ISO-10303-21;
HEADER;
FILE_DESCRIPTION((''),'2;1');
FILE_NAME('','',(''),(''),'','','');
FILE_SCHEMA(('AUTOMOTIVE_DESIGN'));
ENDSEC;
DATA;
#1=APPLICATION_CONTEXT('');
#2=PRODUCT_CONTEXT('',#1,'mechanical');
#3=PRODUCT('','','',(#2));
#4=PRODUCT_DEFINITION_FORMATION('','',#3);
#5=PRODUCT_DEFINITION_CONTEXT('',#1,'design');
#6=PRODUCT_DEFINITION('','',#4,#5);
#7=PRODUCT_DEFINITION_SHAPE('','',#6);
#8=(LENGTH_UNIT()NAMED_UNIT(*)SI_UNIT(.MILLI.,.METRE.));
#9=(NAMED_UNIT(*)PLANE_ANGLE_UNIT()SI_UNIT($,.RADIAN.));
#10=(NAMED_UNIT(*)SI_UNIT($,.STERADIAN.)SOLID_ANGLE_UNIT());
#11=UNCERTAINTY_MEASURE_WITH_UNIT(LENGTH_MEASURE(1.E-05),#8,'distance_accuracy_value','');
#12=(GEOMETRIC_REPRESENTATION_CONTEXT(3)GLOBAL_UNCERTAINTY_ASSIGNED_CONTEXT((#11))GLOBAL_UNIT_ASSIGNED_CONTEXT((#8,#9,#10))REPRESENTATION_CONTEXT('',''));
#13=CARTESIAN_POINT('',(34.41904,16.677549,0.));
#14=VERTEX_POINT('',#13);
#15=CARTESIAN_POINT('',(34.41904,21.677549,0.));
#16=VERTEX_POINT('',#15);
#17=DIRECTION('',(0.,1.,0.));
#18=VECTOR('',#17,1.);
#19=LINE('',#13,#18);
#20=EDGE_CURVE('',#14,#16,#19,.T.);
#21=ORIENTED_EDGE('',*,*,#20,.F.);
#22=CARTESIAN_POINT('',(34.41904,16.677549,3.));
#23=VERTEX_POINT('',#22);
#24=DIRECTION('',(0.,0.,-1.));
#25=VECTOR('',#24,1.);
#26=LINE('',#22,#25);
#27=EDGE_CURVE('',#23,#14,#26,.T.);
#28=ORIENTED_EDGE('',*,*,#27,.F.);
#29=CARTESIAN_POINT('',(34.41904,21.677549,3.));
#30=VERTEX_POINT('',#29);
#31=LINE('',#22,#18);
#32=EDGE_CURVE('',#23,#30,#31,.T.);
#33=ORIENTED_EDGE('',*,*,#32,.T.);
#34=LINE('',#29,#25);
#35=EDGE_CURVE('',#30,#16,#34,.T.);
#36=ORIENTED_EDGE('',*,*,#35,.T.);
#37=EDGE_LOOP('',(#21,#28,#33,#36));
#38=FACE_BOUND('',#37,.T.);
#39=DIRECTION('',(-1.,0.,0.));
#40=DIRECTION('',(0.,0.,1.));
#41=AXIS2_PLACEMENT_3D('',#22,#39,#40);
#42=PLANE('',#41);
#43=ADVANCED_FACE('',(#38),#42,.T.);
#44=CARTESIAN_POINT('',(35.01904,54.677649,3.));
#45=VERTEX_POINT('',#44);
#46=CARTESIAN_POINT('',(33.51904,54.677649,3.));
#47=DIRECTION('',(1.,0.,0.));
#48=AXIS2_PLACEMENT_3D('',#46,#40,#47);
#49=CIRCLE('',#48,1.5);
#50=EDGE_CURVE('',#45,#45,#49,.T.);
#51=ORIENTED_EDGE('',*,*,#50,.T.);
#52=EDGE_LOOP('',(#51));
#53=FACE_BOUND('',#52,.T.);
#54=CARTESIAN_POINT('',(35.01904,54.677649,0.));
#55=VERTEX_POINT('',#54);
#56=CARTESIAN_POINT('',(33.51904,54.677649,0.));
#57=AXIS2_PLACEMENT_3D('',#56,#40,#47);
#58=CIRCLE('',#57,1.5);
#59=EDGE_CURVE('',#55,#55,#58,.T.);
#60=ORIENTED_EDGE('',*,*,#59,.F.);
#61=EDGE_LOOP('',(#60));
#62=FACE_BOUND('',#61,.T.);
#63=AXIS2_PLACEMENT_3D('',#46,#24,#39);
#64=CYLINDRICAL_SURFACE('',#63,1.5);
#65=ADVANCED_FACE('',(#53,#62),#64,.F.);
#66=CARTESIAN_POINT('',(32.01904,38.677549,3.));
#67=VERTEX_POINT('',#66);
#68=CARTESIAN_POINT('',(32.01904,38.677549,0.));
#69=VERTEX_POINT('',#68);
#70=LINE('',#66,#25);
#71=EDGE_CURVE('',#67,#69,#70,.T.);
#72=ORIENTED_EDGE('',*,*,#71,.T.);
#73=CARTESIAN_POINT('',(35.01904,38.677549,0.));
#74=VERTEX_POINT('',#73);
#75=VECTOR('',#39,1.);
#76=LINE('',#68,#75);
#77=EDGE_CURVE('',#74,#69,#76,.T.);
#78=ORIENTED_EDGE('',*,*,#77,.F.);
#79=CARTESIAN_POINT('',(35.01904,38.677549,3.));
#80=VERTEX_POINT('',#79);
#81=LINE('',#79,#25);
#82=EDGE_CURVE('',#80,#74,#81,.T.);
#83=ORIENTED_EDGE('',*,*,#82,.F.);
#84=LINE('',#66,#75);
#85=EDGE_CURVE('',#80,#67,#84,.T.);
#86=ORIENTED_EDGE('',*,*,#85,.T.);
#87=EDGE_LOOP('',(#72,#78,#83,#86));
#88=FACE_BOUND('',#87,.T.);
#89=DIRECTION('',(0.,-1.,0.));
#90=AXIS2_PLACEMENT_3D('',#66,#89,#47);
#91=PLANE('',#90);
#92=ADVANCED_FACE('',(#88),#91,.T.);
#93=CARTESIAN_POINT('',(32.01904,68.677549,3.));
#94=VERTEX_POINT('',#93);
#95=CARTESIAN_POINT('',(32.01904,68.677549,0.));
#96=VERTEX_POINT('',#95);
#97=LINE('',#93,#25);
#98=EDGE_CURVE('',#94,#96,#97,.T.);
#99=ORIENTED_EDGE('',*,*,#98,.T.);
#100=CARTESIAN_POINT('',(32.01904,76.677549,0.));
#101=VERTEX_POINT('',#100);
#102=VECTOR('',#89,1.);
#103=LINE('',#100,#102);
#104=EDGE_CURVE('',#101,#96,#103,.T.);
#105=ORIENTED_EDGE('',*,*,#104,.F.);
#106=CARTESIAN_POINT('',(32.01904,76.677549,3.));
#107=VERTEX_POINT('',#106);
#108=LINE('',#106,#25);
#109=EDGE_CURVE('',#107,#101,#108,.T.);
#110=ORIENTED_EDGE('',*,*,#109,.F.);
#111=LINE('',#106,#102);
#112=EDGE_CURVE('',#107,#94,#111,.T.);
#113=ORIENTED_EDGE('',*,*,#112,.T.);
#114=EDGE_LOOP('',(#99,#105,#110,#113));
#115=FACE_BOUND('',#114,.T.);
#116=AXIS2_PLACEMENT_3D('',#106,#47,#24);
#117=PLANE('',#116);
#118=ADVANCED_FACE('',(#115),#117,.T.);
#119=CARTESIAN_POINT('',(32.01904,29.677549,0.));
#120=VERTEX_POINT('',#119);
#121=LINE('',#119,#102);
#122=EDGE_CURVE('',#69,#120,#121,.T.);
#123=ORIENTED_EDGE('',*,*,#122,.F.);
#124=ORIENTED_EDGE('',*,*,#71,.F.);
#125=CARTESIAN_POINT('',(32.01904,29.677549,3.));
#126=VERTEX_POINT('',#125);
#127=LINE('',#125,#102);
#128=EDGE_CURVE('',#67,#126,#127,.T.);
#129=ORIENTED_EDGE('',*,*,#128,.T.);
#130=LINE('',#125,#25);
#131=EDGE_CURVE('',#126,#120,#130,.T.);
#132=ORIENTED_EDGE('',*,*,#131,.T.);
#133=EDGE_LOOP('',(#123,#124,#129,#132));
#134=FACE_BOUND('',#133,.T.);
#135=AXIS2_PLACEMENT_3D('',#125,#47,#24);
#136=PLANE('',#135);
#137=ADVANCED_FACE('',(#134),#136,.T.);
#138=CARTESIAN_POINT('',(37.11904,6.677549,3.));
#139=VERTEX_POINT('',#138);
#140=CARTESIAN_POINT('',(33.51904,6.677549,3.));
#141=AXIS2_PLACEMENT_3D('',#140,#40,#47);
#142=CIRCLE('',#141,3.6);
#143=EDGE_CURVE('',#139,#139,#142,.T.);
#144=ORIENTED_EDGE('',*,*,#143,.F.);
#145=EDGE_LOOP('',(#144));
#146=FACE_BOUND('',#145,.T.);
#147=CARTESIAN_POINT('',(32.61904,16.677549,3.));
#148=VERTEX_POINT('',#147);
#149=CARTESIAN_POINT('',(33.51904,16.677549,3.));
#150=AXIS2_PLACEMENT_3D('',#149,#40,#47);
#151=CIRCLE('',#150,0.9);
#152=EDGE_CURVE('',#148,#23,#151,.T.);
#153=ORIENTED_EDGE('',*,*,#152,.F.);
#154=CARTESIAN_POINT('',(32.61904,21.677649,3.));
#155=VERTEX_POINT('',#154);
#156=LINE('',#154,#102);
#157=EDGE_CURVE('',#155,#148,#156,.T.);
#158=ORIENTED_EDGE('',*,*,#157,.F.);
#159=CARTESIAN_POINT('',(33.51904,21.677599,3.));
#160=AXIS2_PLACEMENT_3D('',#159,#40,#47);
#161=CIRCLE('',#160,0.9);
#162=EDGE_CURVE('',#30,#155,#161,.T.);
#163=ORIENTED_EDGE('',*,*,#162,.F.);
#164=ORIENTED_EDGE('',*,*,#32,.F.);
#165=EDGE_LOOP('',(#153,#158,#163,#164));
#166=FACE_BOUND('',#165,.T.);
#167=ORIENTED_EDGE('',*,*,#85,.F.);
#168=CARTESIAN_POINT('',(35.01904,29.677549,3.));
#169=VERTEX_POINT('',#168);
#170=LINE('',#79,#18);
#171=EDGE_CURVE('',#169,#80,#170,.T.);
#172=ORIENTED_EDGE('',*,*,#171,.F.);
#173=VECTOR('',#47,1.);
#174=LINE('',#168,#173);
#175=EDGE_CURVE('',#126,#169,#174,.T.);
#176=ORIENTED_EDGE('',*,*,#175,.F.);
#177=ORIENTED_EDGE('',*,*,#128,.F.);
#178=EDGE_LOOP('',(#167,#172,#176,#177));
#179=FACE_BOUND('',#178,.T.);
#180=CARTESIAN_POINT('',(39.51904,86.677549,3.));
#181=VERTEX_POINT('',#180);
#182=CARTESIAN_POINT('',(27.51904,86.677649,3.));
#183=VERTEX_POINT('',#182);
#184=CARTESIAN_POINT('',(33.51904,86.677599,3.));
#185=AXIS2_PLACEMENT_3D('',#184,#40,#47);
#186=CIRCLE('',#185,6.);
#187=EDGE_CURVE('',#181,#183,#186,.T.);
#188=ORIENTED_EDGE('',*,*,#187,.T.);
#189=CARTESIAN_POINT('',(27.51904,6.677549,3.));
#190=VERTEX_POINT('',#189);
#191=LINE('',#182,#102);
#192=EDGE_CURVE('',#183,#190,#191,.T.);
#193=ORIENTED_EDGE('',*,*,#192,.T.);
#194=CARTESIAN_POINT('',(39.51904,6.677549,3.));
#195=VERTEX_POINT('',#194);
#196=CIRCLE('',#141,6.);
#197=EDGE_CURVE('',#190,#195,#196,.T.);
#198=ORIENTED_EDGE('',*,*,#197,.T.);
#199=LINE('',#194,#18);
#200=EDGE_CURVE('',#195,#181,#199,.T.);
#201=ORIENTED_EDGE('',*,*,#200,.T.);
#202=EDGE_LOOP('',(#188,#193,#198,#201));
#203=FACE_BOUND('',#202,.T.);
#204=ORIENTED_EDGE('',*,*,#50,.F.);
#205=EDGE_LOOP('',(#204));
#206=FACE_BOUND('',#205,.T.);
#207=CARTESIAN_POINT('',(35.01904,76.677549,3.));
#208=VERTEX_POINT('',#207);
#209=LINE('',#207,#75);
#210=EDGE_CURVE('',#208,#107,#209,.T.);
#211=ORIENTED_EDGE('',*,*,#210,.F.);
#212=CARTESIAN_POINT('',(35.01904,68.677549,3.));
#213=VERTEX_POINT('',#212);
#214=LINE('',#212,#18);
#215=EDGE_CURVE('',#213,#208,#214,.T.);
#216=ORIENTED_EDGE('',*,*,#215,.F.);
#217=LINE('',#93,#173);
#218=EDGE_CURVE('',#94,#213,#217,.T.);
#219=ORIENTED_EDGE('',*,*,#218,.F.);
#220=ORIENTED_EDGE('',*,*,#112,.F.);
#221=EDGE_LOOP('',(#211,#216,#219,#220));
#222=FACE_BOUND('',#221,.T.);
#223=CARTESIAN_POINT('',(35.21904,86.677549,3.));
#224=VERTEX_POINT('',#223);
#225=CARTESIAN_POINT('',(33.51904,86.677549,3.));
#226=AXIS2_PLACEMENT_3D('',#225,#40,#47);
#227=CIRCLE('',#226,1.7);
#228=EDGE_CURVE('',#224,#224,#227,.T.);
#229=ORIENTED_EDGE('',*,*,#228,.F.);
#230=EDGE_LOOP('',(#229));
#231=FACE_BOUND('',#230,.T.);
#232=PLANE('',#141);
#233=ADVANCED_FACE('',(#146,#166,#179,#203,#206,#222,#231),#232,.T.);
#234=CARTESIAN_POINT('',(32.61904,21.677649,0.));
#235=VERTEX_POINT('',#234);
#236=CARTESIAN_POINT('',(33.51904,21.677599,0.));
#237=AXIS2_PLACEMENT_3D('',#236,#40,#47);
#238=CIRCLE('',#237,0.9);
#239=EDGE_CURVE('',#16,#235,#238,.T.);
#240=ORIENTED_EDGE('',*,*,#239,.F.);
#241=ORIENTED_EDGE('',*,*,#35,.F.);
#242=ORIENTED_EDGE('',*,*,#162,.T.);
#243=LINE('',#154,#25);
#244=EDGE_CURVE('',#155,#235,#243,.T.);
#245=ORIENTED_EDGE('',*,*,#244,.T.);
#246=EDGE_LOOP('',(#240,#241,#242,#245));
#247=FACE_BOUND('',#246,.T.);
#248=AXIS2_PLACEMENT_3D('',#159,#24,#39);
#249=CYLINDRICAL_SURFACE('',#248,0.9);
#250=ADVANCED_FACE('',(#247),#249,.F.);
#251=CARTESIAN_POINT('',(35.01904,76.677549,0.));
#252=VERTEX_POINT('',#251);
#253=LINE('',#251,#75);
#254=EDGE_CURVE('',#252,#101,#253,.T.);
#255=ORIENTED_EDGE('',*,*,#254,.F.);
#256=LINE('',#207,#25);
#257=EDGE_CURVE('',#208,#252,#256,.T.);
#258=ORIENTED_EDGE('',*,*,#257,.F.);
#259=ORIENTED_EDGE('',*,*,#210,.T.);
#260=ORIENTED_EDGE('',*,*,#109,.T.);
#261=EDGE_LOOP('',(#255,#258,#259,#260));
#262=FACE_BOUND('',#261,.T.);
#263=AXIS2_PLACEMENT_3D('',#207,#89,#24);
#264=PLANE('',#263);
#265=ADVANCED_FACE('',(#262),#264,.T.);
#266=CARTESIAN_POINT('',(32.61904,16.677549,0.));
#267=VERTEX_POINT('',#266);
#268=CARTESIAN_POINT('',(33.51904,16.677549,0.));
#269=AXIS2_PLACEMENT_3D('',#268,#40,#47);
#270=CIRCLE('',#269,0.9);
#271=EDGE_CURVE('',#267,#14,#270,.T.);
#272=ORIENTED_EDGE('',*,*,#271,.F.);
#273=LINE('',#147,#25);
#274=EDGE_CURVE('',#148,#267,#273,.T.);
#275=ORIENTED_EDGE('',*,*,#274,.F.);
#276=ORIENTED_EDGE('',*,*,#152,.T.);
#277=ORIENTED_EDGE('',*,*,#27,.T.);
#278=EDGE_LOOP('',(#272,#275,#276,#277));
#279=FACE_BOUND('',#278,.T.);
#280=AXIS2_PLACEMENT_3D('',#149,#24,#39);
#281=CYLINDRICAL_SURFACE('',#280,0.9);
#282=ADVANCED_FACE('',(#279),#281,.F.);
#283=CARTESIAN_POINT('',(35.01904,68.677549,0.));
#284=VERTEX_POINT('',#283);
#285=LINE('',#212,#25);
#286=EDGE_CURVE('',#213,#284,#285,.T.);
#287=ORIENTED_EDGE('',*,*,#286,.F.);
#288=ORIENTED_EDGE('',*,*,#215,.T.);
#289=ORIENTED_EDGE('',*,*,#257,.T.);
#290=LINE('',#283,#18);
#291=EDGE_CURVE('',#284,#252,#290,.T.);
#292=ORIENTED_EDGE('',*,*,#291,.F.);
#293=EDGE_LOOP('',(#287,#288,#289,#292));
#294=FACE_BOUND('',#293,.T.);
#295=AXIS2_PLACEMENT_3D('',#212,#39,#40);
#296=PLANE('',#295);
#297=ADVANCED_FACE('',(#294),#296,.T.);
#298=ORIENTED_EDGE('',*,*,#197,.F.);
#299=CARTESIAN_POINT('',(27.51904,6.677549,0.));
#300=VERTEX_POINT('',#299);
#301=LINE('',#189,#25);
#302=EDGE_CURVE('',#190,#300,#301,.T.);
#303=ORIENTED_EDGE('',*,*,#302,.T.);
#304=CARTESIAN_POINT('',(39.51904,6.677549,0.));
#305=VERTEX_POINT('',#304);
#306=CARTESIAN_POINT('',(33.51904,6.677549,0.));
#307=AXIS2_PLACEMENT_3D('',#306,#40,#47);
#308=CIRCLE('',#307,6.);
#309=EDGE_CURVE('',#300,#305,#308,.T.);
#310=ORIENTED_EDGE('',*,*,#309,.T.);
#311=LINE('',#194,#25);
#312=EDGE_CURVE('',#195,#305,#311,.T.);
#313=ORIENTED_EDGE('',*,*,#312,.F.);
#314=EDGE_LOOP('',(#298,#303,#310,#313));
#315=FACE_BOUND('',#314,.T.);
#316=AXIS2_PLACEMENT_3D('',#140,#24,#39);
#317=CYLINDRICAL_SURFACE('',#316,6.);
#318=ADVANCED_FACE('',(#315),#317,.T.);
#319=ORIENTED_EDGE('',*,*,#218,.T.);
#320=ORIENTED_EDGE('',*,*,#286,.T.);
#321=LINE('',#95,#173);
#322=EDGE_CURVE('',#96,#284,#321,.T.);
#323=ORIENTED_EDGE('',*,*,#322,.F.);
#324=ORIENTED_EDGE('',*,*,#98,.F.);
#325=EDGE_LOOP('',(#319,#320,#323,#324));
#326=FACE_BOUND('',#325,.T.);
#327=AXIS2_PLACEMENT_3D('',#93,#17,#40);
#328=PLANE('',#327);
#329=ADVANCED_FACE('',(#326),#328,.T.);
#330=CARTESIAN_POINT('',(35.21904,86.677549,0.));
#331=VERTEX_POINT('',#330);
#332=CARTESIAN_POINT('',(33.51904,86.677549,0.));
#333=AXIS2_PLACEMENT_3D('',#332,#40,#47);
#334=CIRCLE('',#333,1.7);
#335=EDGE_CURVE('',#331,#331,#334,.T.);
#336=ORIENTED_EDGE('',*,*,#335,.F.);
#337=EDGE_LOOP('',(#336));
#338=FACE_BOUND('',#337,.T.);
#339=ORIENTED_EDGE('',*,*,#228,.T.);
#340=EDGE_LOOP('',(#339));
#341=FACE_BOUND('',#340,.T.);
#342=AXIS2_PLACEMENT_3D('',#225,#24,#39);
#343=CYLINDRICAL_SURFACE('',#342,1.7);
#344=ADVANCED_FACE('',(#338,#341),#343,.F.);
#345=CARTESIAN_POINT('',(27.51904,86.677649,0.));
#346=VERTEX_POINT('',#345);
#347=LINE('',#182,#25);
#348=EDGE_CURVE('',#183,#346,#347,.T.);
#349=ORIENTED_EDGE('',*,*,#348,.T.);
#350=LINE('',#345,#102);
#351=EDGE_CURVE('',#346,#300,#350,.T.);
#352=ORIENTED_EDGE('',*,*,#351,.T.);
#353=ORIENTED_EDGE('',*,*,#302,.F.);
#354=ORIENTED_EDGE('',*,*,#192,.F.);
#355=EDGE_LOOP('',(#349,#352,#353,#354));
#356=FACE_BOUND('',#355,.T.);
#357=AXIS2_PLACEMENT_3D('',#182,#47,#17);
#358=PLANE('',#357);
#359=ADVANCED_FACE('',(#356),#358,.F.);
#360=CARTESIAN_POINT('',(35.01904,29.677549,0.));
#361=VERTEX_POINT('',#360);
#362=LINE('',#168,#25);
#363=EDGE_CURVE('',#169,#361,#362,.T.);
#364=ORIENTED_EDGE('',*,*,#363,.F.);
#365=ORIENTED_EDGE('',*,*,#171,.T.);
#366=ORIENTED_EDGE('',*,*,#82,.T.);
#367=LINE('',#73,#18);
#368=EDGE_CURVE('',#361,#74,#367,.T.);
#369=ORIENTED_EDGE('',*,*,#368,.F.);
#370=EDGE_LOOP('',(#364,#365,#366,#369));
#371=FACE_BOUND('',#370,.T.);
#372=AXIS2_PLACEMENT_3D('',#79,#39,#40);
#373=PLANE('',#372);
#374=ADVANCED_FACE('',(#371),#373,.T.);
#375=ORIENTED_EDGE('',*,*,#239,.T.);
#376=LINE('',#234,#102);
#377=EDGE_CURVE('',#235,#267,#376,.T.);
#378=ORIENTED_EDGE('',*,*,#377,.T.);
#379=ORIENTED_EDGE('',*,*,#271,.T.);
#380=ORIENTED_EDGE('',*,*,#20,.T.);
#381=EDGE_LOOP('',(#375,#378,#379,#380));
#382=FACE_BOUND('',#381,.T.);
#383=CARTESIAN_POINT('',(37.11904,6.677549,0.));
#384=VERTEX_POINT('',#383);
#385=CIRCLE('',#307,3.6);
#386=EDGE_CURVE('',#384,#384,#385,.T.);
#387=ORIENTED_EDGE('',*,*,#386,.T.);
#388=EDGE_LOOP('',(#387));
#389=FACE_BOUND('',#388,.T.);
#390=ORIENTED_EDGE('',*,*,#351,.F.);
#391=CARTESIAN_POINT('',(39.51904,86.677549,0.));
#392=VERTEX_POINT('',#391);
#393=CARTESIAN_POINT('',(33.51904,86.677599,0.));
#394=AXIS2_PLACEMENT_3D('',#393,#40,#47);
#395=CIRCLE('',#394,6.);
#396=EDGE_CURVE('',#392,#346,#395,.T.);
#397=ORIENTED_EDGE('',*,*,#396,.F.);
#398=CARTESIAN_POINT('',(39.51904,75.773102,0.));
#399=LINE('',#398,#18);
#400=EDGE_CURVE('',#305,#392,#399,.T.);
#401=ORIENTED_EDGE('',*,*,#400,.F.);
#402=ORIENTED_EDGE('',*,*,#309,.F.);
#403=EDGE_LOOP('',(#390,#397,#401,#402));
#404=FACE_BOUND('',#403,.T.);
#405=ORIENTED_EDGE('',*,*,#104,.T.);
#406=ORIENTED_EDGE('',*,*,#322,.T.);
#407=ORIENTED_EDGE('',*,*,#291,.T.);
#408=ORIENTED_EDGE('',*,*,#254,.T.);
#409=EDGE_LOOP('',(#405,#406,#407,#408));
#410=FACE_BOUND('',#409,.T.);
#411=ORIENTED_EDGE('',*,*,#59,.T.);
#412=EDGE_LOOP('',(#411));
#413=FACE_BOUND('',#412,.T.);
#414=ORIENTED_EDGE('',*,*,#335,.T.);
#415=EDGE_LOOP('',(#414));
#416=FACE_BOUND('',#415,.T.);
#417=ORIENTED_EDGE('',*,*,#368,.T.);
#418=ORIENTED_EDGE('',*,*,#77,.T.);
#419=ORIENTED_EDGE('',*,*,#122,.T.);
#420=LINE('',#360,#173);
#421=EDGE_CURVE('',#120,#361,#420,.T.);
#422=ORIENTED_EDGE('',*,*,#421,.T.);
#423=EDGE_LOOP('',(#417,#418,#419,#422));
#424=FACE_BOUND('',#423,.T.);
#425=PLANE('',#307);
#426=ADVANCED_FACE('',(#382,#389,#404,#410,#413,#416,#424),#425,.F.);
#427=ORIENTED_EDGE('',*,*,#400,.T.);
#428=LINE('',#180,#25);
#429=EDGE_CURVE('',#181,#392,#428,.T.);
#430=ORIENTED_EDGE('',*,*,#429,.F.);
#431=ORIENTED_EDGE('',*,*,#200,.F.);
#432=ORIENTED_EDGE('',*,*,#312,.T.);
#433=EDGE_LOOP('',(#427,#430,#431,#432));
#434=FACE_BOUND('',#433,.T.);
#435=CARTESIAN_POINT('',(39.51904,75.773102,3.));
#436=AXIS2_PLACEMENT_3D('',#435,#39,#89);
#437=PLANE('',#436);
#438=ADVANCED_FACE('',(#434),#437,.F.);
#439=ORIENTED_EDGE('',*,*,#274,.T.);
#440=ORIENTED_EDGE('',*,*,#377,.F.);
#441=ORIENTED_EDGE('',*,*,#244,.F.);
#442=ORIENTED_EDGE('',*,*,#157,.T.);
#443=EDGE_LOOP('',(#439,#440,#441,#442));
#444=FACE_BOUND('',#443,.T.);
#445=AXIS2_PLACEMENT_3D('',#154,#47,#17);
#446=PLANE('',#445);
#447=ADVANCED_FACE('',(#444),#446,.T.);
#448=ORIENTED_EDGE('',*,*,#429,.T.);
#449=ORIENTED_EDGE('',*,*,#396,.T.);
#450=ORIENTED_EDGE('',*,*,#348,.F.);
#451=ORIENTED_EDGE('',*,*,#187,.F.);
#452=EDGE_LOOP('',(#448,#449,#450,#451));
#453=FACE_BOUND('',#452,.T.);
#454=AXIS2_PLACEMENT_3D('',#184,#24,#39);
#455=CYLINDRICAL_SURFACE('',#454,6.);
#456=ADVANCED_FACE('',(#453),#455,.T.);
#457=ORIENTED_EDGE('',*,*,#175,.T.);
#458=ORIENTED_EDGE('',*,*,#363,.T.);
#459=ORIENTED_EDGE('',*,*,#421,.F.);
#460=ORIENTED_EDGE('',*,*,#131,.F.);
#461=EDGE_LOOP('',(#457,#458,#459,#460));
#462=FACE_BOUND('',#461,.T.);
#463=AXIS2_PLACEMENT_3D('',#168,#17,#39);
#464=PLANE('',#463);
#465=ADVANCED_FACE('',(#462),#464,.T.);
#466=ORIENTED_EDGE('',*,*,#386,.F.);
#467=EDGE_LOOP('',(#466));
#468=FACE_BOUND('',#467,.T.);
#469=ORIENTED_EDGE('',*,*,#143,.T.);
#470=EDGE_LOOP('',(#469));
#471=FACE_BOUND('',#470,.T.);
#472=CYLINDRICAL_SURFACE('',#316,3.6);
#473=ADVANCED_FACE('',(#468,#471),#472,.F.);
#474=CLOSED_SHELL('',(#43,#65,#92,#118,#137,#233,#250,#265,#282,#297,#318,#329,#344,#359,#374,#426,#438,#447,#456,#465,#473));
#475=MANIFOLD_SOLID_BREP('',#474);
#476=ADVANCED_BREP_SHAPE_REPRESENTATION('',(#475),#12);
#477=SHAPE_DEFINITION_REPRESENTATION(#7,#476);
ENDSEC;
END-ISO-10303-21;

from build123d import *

# Parameters (mm, degrees)
MODEL_R             = 3.6
MODEL_R_2           = 1.7
MODEL_R_3           = 1.500000002
MODEL_W             = 3
MODEL_H             = 9
MODEL_H_2           = 8
BOSS_EXTRUDE1_DEPTH = 3


with BuildPart() as part:
    # Model → Boss-Extrude1 (new body)
    with BuildSketch(Plane.XY):
        with BuildLine():
            Line((39.51904, 20.352307471), (39.51904, 75.773102336))
            Line((39.51904, 75.773102336), (39.51904, 86.677548788))
            ThreePointArc((39.51904, 86.677548788), (33.51909, 92.677598788), (27.51904, 86.677648789))
            Line((27.51904, 86.677648789), (27.51904, 6.677548789))
            ThreePointArc((27.51904, 6.677548789), (33.519039999, 0.677548789), (39.51904, 6.677548789))
            Line((39.51904, 6.677548789), (39.51904, 20.352307471))
        make_face()
        with Locations((33.519039999, 6.677548788)):
            Circle(MODEL_R, mode=Mode.SUBTRACT)
        with Locations((33.519039998, 86.677548787)):
            Circle(MODEL_R_2, mode=Mode.SUBTRACT)
        with Locations((33.519040002, 54.677648787)):
            Circle(MODEL_R_3, mode=Mode.SUBTRACT)
        with Locations((33.51904, 34.177548789)):
            Rectangle(MODEL_W, MODEL_H, mode=Mode.SUBTRACT)
        with Locations((33.51904, 72.677548789)):
            Rectangle(MODEL_W, MODEL_H_2, mode=Mode.SUBTRACT)
        with BuildLine():
            Line((32.61904, 21.677648789), (32.61904, 16.677548789))
            ThreePointArc((32.61904, 16.677548789), (33.51904, 15.777548789), (34.41904, 16.677548789))
            Line((34.41904, 16.677548789), (34.41904, 21.677548786))
            ThreePointArc((34.41904, 21.677548786), (33.519090001, 22.577598787), (32.61904, 21.677648789))
        make_face(mode=Mode.SUBTRACT)
    extrude(amount=BOSS_EXTRUDE1_DEPTH)


solid = part.part
